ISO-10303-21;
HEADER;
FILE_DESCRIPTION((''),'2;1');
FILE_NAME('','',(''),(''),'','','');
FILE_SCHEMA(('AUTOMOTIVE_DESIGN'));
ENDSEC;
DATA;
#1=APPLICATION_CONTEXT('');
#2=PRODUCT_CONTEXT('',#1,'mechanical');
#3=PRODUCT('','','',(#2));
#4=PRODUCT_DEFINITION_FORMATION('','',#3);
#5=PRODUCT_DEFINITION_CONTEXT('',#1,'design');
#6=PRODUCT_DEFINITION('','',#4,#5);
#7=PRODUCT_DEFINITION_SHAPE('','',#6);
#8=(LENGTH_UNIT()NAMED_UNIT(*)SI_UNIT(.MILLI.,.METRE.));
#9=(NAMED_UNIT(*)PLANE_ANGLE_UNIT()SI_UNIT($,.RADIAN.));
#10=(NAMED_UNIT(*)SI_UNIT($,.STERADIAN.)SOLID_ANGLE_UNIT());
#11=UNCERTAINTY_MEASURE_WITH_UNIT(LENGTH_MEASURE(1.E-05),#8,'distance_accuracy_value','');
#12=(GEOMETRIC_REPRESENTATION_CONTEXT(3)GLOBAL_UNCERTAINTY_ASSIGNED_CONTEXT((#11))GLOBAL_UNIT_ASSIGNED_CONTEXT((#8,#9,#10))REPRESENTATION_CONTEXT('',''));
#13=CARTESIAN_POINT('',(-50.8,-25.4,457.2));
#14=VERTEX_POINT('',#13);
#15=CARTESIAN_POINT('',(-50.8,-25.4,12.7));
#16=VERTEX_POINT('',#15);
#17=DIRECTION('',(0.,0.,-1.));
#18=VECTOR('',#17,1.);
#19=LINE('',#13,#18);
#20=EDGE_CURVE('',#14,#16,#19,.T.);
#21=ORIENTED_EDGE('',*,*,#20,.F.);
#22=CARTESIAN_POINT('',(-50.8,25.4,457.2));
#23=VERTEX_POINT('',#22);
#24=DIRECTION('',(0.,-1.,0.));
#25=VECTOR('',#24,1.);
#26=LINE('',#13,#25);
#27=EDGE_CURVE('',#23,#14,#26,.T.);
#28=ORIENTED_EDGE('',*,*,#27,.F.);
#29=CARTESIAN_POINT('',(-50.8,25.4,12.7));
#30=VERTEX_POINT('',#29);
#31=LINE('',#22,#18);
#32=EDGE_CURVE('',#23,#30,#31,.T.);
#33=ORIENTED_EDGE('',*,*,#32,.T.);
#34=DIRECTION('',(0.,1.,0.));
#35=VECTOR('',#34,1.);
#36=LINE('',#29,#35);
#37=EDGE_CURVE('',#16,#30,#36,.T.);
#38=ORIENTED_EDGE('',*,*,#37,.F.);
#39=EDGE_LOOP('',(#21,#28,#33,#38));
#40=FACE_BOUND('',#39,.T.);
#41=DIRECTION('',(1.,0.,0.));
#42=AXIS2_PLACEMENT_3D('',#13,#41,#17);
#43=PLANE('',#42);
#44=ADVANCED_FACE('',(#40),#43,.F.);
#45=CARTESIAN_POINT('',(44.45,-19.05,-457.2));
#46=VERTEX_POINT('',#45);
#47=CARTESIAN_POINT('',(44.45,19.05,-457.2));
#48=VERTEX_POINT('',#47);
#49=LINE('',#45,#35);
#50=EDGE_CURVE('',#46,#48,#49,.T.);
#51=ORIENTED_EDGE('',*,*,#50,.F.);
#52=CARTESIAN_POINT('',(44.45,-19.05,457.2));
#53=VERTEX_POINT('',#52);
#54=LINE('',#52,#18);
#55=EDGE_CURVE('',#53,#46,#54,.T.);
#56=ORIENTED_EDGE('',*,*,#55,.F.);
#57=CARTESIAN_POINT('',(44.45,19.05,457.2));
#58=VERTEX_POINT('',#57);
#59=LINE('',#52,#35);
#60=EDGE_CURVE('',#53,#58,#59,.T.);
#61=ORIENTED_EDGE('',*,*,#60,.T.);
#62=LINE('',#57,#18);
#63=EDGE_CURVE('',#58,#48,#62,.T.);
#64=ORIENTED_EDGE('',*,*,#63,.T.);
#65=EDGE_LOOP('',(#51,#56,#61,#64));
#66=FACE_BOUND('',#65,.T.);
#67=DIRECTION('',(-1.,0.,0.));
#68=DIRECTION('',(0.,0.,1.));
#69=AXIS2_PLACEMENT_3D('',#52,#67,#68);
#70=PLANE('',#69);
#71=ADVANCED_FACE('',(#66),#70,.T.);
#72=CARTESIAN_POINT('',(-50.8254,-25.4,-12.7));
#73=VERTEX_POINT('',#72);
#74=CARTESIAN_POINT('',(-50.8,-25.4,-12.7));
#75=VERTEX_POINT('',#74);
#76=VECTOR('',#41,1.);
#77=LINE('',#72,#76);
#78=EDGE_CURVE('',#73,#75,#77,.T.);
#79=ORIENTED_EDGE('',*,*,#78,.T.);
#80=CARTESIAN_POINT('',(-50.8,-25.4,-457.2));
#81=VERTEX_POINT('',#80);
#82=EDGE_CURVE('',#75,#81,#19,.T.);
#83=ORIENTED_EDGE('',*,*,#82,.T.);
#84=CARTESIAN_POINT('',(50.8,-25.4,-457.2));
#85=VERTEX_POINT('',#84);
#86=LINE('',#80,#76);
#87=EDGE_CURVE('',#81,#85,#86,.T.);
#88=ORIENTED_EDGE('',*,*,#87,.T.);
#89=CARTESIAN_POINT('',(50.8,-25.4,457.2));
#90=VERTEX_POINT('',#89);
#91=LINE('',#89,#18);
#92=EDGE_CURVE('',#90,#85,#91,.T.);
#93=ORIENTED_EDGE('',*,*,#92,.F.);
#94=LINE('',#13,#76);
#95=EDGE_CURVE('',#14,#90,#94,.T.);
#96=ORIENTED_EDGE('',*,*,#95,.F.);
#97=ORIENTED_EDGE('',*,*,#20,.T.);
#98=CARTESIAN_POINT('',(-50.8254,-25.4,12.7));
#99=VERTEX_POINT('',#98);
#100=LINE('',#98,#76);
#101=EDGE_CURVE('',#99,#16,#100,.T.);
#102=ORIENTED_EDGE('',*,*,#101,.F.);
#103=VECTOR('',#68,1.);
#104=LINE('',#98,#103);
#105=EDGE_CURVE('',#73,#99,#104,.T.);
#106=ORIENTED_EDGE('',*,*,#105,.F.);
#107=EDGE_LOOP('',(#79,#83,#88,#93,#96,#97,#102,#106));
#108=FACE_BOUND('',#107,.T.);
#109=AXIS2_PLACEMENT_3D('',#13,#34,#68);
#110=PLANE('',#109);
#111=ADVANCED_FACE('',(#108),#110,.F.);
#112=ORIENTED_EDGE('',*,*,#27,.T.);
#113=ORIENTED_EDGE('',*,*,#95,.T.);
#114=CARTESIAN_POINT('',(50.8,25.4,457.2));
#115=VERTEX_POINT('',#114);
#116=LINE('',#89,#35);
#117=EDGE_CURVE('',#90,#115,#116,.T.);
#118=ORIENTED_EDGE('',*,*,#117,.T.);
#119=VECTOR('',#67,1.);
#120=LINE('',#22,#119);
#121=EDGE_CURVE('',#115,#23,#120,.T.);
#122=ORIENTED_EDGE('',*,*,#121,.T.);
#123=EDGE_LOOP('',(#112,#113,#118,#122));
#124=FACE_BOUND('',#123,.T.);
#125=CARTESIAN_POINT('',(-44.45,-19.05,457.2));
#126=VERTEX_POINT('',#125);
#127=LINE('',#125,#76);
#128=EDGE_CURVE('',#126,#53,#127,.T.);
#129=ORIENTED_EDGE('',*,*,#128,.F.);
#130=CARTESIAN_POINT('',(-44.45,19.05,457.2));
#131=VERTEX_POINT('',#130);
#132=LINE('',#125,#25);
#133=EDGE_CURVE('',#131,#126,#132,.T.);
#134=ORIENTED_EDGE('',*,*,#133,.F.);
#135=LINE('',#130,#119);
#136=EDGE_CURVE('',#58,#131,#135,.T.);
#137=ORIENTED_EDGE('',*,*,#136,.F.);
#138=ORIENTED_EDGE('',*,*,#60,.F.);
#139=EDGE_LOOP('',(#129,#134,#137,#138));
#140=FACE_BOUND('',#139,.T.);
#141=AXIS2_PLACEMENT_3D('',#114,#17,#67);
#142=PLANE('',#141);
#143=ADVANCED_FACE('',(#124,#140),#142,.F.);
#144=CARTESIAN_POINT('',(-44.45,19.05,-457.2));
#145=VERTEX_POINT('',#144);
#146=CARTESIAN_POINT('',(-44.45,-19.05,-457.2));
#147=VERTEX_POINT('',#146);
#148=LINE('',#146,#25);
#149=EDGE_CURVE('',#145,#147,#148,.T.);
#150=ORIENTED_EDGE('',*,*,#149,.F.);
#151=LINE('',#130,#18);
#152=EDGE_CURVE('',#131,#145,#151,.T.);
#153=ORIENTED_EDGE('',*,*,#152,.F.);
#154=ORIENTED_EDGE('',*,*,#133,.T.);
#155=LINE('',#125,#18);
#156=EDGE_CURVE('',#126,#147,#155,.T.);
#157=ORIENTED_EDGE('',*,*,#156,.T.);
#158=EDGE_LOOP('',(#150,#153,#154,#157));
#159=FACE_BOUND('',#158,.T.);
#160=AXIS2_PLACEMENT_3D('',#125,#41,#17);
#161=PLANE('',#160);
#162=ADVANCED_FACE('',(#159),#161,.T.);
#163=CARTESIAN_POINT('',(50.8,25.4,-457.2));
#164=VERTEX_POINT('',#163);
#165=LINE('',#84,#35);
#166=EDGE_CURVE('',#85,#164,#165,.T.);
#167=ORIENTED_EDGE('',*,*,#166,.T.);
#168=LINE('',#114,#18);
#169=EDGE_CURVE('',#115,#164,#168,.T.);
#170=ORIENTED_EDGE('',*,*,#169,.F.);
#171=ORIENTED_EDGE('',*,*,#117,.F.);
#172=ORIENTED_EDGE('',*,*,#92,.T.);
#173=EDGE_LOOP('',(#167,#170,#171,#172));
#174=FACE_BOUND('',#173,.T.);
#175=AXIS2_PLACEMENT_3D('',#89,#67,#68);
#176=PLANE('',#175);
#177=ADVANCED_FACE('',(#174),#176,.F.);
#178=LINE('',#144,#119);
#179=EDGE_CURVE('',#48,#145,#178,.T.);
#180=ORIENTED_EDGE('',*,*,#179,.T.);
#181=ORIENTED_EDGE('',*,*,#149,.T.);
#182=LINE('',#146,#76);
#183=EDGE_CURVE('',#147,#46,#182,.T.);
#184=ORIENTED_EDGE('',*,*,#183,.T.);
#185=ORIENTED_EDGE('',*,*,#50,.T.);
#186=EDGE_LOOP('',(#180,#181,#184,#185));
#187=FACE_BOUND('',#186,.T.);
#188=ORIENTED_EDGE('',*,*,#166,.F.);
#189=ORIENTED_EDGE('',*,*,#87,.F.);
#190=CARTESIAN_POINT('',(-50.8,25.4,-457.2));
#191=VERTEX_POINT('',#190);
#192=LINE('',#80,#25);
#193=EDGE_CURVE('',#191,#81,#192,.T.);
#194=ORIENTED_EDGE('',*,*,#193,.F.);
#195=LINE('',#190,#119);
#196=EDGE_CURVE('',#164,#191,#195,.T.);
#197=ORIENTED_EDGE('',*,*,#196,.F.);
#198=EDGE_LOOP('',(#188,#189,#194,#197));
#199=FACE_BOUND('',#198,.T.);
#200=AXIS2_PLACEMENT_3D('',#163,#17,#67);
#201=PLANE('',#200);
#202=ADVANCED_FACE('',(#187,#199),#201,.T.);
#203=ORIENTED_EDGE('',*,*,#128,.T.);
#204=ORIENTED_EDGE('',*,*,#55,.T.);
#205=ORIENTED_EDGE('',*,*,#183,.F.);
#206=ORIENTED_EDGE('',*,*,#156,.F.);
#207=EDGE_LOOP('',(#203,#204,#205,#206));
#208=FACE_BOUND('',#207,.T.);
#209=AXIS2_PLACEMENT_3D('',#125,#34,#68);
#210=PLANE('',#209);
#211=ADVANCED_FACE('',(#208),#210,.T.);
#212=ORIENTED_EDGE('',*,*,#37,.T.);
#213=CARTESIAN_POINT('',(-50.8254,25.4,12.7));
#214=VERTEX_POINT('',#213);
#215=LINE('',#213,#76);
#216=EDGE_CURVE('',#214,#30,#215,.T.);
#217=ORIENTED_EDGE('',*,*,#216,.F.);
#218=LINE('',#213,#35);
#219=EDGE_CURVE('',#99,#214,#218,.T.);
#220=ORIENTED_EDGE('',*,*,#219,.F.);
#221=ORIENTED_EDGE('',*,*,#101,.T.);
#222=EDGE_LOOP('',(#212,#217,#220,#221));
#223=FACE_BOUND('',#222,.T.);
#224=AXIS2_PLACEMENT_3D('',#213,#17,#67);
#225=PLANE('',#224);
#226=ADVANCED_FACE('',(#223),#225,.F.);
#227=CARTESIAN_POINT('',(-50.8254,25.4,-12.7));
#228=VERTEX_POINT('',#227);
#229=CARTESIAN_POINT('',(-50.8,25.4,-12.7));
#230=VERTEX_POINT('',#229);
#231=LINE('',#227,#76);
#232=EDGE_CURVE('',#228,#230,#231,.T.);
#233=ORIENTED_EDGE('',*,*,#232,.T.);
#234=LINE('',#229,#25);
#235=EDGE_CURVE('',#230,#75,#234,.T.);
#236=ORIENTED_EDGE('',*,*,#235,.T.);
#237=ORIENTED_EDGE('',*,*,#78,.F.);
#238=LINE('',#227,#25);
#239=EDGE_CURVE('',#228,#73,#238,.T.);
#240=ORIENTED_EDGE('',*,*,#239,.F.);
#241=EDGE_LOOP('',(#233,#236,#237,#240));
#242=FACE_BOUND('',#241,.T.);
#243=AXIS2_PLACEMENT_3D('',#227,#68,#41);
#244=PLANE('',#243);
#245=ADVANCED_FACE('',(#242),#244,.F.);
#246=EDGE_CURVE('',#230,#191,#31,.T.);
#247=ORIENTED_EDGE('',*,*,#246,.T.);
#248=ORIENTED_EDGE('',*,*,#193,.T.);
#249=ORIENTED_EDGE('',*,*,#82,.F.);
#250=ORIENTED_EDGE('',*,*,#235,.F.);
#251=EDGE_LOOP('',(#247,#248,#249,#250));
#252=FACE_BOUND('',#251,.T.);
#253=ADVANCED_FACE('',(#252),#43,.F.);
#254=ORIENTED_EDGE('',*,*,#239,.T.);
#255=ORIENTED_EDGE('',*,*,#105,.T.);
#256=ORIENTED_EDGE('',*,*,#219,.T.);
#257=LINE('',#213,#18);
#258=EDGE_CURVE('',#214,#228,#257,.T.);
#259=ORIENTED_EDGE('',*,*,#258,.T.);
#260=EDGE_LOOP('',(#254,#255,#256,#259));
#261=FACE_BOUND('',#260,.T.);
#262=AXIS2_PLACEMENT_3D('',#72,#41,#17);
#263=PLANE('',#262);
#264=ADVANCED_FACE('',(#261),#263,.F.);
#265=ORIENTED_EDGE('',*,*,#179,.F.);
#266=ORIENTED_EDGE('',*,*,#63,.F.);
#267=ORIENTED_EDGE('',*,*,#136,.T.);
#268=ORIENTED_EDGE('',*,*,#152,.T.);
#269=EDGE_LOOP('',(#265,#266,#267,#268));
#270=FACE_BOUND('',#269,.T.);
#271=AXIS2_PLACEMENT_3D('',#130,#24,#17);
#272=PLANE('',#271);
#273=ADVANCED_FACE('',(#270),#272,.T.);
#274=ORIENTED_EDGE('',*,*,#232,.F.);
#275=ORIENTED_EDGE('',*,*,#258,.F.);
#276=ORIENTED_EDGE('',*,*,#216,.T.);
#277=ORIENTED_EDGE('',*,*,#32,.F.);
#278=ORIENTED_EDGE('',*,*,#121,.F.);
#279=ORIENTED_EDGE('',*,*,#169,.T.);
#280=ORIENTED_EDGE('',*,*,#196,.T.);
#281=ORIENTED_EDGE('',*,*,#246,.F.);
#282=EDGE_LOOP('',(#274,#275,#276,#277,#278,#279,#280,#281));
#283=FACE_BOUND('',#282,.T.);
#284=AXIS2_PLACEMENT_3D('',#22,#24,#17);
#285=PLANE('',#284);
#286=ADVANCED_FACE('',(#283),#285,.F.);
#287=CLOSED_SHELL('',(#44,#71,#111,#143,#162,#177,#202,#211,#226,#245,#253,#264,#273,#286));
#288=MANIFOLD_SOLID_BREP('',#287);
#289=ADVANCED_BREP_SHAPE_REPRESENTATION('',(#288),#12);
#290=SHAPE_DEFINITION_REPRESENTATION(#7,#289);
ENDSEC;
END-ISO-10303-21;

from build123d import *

# Parameters (mm, degrees)
SKETCH1_W           = 101.6
SKETCH1_H           = 50.8
SKETCH1_W_2         = 88.9
SKETCH1_H_2         = 38.1
BOSS_EXTRUDE1_DEPTH = 457.2
SKETCH4_W           = 25.4
SKETCH4_H           = 50.8
BOSS_EXTRUDE3_DEPTH = 0.0254


with BuildPart() as part:
    # Sketch1 → Boss-Extrude1 (new body, symmetric)
    with BuildSketch(Plane.XY):
        Rectangle(SKETCH1_W, SKETCH1_H)
        Rectangle(SKETCH1_W_2, SKETCH1_H_2, mode=Mode.SUBTRACT)
    extrude(amount=BOSS_EXTRUDE1_DEPTH, both=True)

    # Sketch4 → Boss-Extrude3 (add)
    with BuildSketch(Plane.ZY.offset(50.8)):
        Rectangle(SKETCH4_W, SKETCH4_H)
    extrude(amount=BOSS_EXTRUDE3_DEPTH)


solid = part.part
